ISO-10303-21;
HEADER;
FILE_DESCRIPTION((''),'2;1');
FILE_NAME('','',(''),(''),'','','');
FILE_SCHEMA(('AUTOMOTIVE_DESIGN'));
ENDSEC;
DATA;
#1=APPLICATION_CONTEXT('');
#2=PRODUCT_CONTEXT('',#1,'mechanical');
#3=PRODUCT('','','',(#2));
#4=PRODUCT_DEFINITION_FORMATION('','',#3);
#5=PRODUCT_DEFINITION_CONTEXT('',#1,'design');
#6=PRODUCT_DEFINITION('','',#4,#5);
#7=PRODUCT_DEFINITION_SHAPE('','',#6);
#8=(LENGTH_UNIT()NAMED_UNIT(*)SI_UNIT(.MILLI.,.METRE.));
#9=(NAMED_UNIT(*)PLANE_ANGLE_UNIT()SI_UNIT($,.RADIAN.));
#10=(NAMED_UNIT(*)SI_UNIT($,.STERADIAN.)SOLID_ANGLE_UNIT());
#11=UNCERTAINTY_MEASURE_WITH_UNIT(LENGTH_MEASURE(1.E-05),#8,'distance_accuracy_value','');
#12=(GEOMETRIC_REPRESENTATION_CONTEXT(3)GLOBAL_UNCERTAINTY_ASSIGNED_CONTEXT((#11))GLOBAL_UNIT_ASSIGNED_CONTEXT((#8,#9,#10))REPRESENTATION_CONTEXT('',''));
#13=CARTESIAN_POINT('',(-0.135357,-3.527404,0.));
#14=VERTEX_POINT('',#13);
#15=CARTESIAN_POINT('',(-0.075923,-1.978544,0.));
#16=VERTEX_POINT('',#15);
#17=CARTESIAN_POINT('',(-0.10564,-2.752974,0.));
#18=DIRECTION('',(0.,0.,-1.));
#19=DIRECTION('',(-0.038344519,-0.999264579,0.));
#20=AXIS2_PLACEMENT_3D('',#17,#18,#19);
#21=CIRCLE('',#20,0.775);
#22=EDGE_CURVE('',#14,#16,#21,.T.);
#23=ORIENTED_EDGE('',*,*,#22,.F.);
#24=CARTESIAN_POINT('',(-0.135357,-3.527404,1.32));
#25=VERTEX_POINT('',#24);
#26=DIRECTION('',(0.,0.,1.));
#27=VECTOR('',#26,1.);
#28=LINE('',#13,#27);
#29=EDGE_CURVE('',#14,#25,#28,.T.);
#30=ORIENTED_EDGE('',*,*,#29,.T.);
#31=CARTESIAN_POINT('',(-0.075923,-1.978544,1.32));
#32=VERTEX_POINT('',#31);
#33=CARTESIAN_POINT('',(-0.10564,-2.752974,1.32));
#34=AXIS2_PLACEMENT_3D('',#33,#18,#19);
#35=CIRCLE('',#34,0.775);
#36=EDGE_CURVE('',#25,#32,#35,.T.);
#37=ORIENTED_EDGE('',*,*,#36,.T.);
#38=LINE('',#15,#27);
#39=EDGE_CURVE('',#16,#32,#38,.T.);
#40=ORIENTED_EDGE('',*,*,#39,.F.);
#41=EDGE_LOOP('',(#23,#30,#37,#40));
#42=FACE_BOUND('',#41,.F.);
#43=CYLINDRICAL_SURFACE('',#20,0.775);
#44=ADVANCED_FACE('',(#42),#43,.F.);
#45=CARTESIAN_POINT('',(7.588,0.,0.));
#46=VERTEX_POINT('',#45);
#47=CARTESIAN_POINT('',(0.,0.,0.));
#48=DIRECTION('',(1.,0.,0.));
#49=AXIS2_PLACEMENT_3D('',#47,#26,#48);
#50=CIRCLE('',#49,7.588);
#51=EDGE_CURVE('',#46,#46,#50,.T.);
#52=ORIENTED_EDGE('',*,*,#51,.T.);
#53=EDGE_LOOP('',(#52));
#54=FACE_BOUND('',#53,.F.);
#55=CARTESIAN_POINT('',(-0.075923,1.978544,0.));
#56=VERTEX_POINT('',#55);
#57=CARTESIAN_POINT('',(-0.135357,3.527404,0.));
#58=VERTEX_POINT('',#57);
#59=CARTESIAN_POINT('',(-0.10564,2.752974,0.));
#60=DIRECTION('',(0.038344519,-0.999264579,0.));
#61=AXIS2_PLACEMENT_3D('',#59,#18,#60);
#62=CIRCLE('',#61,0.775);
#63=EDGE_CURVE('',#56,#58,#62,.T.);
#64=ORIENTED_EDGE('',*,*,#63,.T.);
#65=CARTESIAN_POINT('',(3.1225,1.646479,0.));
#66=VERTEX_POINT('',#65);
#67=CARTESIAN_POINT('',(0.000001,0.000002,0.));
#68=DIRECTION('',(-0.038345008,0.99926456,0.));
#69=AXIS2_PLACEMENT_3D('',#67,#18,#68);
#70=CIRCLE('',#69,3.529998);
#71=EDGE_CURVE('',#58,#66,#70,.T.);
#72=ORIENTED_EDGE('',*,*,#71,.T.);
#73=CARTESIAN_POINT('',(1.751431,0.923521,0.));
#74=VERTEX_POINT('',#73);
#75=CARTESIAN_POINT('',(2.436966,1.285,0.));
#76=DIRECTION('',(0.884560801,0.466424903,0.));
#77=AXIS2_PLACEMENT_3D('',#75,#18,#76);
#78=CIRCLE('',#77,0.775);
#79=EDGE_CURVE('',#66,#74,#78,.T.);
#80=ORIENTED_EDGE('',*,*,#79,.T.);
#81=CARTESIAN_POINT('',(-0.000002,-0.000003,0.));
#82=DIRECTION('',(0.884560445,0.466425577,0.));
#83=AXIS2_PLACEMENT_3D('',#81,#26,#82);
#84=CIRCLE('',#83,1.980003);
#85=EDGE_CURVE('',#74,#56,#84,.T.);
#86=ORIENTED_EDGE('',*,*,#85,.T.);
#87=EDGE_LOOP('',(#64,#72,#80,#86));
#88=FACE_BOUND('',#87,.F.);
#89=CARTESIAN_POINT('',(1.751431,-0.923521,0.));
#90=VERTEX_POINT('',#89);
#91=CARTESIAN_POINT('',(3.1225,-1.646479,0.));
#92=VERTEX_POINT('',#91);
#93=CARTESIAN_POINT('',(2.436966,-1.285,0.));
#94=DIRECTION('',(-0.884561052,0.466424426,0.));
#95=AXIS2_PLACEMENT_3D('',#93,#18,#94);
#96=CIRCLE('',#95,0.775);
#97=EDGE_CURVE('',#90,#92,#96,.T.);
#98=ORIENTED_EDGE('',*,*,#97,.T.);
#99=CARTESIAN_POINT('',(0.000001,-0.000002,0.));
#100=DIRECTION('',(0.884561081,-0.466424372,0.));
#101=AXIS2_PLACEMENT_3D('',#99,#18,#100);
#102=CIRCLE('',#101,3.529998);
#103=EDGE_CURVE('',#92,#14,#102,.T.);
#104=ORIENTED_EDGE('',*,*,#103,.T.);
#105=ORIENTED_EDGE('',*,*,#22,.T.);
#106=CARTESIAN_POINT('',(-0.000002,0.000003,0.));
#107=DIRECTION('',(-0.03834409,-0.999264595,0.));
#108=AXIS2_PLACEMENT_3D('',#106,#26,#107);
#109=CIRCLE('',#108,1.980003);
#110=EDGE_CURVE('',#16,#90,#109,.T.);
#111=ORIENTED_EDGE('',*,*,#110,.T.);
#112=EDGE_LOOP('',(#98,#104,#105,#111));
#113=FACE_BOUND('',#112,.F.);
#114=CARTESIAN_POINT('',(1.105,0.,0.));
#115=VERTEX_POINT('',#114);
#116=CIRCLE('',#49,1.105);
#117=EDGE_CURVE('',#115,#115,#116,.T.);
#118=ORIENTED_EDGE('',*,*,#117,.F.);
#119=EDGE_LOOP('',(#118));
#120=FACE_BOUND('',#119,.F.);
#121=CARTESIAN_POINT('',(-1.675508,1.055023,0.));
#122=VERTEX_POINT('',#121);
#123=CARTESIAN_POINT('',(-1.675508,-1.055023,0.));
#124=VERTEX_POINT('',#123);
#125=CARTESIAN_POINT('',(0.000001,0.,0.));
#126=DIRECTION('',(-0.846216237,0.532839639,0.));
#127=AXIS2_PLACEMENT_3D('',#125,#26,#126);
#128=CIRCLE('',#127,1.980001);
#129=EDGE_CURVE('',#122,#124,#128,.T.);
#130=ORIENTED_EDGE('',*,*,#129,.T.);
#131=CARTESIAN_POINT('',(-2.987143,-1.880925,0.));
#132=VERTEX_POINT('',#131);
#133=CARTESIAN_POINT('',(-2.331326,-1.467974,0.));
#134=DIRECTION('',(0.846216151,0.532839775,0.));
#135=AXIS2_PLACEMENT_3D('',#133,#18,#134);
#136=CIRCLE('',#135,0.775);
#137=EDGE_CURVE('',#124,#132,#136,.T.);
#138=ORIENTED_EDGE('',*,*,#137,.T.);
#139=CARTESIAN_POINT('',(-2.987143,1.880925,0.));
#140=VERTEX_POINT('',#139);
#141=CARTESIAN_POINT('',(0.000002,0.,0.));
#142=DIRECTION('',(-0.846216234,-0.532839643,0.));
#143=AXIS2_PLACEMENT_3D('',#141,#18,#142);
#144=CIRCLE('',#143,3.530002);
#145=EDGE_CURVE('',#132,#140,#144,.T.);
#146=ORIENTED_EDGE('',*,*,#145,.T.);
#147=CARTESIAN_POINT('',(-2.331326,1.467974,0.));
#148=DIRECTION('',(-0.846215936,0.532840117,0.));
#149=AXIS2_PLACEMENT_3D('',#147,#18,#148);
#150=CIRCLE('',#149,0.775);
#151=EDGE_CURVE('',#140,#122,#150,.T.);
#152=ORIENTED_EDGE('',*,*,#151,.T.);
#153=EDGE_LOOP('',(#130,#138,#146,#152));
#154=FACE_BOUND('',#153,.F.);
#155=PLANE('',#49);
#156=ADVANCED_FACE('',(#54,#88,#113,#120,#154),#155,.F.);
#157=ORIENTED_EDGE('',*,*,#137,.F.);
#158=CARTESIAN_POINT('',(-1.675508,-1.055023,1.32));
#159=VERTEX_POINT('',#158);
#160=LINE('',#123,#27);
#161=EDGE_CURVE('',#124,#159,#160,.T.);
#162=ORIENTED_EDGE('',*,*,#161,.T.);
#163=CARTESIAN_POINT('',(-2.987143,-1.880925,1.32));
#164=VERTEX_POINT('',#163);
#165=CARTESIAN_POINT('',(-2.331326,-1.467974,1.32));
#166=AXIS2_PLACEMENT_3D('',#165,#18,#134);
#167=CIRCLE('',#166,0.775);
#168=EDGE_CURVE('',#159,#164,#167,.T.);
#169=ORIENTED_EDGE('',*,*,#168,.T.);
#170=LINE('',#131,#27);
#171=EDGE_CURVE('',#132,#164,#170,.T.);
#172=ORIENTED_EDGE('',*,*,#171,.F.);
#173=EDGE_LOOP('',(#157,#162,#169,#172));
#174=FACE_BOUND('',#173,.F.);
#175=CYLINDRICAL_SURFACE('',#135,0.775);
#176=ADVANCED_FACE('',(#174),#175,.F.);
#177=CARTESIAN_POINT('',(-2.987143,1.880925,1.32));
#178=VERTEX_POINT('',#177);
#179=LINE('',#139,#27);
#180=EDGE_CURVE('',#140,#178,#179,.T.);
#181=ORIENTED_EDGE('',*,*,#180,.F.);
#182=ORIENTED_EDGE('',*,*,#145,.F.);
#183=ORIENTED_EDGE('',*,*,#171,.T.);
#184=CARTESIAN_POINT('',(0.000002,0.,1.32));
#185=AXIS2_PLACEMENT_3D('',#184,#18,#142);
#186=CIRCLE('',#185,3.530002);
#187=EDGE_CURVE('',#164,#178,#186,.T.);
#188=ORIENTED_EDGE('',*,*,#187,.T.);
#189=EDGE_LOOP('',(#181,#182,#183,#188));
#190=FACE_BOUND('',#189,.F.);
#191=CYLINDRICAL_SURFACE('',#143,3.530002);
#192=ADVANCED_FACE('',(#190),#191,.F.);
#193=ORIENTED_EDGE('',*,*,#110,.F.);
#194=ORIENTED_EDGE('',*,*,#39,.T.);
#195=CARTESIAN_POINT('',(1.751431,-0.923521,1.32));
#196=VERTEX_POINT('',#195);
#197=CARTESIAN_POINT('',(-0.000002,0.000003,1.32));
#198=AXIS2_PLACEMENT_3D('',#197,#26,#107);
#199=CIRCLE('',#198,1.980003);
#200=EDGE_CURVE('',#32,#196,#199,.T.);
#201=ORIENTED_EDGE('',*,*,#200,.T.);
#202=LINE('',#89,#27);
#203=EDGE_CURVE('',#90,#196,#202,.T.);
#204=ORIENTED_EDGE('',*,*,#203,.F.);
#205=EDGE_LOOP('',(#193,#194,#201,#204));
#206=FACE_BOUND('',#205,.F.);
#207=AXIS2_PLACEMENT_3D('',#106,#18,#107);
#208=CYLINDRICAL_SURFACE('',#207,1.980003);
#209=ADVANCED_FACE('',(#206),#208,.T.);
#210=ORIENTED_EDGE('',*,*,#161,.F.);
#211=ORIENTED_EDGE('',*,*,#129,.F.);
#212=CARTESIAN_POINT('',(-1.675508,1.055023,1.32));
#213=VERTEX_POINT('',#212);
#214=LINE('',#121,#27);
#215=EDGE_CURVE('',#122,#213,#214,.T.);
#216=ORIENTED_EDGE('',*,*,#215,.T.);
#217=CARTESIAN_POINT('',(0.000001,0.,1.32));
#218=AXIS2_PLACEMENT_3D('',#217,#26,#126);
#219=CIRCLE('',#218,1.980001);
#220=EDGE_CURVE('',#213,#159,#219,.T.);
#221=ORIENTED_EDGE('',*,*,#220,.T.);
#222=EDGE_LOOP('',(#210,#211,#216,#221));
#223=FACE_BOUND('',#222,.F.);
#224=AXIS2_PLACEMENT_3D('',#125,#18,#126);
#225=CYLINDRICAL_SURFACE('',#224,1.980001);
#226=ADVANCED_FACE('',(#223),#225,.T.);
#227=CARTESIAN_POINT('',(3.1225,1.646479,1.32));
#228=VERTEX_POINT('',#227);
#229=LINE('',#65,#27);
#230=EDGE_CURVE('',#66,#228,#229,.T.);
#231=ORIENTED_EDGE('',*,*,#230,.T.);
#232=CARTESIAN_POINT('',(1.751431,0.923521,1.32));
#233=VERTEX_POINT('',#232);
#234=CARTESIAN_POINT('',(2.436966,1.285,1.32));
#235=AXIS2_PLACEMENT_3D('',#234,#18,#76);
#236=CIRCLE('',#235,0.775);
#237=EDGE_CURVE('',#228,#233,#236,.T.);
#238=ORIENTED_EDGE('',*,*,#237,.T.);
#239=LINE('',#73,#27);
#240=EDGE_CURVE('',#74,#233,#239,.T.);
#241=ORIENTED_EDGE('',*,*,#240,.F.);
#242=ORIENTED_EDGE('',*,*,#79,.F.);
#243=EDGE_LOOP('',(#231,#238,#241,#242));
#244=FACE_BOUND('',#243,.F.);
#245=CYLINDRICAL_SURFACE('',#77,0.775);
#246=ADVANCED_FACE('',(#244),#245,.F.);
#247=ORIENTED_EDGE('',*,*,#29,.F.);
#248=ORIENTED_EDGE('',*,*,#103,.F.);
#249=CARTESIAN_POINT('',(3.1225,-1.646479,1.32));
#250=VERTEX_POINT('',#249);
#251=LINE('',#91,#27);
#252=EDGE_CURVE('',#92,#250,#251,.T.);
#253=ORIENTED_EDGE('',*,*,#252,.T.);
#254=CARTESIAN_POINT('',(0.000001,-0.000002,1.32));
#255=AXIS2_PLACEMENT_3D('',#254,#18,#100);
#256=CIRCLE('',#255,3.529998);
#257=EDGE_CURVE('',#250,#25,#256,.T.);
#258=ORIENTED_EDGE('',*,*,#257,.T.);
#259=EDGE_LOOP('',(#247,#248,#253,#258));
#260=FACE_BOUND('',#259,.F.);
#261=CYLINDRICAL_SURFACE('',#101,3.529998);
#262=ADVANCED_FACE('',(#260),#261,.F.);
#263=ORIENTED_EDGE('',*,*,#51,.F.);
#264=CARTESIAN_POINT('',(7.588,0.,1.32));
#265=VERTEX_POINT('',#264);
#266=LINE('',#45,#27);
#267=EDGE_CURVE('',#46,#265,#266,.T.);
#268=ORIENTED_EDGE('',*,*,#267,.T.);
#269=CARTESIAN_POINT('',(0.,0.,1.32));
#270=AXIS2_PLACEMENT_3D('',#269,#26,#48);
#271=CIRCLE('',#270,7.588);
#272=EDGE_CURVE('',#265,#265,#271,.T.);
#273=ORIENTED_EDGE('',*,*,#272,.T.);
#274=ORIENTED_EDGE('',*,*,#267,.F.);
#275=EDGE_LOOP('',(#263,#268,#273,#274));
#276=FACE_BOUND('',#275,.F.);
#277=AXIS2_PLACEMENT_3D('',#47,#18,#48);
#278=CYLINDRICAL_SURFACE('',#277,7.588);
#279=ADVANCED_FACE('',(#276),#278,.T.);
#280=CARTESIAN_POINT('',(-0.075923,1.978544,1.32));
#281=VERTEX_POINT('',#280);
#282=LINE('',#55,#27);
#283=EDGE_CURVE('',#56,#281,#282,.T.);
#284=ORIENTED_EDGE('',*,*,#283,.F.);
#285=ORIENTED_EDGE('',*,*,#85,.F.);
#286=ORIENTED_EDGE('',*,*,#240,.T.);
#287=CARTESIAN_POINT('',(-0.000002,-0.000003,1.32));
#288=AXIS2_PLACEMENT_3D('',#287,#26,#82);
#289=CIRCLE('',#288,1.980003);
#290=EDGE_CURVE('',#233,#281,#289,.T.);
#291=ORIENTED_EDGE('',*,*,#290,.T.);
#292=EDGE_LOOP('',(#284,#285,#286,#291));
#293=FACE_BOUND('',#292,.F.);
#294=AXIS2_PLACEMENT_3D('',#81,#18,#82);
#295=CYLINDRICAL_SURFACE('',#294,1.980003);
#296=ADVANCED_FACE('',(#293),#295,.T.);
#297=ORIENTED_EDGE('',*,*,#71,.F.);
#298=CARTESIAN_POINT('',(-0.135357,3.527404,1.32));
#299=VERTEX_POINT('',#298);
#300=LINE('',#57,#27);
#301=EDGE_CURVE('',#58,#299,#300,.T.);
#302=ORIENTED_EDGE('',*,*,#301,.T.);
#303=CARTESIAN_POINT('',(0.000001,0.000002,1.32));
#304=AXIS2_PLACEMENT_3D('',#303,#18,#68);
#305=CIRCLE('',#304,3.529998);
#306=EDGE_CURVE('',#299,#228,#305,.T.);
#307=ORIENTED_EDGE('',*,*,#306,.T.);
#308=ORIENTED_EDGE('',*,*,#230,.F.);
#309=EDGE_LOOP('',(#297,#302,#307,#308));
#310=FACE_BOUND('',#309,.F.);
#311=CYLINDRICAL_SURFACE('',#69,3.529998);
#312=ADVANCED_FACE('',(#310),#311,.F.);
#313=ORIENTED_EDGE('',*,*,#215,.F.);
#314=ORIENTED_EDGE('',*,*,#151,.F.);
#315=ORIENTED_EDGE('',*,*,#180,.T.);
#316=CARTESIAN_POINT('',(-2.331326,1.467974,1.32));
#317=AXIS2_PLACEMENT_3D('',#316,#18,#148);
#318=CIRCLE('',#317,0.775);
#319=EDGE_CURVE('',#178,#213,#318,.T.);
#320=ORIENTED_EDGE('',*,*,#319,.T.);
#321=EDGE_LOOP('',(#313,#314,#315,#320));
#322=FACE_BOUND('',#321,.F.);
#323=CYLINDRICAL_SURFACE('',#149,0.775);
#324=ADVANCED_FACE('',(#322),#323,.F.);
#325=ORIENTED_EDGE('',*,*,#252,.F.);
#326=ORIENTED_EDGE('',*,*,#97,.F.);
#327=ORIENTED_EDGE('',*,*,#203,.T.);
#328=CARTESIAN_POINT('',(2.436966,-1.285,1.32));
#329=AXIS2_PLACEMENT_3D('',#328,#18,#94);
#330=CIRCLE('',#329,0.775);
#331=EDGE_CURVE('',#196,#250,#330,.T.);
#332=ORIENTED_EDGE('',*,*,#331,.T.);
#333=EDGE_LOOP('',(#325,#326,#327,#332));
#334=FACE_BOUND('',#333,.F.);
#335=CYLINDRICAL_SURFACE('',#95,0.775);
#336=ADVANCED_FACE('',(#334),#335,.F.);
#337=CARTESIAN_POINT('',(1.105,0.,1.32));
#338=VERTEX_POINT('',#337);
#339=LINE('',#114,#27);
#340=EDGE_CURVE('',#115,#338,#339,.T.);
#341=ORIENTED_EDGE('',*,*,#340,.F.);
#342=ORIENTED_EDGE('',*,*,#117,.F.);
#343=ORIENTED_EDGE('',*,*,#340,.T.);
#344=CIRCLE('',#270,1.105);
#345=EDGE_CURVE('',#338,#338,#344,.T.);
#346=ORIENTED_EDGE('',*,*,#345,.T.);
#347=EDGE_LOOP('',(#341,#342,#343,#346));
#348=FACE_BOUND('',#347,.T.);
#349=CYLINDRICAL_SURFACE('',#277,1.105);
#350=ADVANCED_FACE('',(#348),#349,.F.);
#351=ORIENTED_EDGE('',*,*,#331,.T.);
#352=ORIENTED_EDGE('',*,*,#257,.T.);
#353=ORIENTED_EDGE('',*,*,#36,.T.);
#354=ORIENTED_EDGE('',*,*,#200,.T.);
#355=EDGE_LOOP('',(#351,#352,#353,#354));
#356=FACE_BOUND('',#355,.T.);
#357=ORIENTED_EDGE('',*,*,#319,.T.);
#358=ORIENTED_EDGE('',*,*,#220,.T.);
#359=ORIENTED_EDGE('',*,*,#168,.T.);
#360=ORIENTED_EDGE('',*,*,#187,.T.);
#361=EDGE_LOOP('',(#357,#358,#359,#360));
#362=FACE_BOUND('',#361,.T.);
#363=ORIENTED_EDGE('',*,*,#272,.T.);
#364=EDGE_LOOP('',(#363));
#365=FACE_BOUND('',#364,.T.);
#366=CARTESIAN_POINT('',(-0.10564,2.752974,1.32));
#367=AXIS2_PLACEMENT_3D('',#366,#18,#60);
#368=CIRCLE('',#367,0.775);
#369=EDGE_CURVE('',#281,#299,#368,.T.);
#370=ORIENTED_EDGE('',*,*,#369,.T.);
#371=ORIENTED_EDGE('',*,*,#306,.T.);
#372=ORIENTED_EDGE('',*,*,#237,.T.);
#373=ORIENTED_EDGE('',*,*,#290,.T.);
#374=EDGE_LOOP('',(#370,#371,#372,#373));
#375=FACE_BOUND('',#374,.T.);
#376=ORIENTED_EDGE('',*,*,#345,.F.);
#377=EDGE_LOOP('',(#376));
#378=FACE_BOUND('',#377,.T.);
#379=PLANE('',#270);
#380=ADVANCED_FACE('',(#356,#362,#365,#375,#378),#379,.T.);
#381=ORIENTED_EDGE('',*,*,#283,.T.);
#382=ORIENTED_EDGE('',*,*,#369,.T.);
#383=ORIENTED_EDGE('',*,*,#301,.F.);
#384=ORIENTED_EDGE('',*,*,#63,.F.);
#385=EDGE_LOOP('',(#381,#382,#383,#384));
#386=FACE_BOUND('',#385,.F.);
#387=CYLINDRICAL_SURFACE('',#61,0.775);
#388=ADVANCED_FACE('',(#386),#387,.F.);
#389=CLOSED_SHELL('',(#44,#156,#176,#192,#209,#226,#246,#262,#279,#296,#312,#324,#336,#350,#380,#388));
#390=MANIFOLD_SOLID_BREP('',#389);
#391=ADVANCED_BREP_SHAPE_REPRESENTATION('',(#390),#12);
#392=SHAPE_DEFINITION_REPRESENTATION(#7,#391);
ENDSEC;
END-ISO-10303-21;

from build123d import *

# Parameters (mm, degrees)
F0_R     = 7.588
F0_R_2   = 1.105
F1_DEPTH = 1.32


with BuildPart() as f1:
    # F0 (on Top) → F1 (new body)
    with BuildSketch(Plane.XY):
        Circle(F0_R)
        with BuildLine():
            ThreePointArc((-0.075923, -1.978544), (0.99, -1.71473), (1.751431, -0.923521))
            ThreePointArc((1.751431, -0.923521), (2.798444, -0.599465), (3.1225, -1.646479))
            ThreePointArc((3.1225, -1.646479), (1.765, -3.05707), (-0.135357, -3.527404))
            ThreePointArc((-0.135357, -3.527404), (-0.88007, -2.723257), (-0.075923, -1.978544))
        make_face(mode=Mode.SUBTRACT)
        with BuildLine():
            ThreePointArc((-2.987143, 1.880925), (-1.918374, 2.123791), (-1.675508, 1.055023))
            ThreePointArc((-1.675508, 1.055023), (-1.98, 0), (-1.675508, -1.055023))
            ThreePointArc((-1.675508, -1.055023), (-1.918374, -2.123791), (-2.987143, -1.880925))
            ThreePointArc((-2.987143, -1.880925), (-3.53, 0), (-2.987143, 1.880925))
        make_face(mode=Mode.SUBTRACT)
        Circle(F0_R_2, mode=Mode.SUBTRACT)
        with BuildLine():
            ThreePointArc((3.1225, 1.646479), (2.798444, 0.599465), (1.751431, 0.923521))
            ThreePointArc((1.751431, 0.923521), (0.99, 1.71473), (-0.075923, 1.978544))
            ThreePointArc((-0.075923, 1.978544), (-0.88007, 2.723257), (-0.135357, 3.527404))
            ThreePointArc((-0.135357, 3.527404), (1.765, 3.05707), (3.1225, 1.646479))
        make_face(mode=Mode.SUBTRACT)
    extrude(amount=F1_DEPTH)


solid = f1.part
